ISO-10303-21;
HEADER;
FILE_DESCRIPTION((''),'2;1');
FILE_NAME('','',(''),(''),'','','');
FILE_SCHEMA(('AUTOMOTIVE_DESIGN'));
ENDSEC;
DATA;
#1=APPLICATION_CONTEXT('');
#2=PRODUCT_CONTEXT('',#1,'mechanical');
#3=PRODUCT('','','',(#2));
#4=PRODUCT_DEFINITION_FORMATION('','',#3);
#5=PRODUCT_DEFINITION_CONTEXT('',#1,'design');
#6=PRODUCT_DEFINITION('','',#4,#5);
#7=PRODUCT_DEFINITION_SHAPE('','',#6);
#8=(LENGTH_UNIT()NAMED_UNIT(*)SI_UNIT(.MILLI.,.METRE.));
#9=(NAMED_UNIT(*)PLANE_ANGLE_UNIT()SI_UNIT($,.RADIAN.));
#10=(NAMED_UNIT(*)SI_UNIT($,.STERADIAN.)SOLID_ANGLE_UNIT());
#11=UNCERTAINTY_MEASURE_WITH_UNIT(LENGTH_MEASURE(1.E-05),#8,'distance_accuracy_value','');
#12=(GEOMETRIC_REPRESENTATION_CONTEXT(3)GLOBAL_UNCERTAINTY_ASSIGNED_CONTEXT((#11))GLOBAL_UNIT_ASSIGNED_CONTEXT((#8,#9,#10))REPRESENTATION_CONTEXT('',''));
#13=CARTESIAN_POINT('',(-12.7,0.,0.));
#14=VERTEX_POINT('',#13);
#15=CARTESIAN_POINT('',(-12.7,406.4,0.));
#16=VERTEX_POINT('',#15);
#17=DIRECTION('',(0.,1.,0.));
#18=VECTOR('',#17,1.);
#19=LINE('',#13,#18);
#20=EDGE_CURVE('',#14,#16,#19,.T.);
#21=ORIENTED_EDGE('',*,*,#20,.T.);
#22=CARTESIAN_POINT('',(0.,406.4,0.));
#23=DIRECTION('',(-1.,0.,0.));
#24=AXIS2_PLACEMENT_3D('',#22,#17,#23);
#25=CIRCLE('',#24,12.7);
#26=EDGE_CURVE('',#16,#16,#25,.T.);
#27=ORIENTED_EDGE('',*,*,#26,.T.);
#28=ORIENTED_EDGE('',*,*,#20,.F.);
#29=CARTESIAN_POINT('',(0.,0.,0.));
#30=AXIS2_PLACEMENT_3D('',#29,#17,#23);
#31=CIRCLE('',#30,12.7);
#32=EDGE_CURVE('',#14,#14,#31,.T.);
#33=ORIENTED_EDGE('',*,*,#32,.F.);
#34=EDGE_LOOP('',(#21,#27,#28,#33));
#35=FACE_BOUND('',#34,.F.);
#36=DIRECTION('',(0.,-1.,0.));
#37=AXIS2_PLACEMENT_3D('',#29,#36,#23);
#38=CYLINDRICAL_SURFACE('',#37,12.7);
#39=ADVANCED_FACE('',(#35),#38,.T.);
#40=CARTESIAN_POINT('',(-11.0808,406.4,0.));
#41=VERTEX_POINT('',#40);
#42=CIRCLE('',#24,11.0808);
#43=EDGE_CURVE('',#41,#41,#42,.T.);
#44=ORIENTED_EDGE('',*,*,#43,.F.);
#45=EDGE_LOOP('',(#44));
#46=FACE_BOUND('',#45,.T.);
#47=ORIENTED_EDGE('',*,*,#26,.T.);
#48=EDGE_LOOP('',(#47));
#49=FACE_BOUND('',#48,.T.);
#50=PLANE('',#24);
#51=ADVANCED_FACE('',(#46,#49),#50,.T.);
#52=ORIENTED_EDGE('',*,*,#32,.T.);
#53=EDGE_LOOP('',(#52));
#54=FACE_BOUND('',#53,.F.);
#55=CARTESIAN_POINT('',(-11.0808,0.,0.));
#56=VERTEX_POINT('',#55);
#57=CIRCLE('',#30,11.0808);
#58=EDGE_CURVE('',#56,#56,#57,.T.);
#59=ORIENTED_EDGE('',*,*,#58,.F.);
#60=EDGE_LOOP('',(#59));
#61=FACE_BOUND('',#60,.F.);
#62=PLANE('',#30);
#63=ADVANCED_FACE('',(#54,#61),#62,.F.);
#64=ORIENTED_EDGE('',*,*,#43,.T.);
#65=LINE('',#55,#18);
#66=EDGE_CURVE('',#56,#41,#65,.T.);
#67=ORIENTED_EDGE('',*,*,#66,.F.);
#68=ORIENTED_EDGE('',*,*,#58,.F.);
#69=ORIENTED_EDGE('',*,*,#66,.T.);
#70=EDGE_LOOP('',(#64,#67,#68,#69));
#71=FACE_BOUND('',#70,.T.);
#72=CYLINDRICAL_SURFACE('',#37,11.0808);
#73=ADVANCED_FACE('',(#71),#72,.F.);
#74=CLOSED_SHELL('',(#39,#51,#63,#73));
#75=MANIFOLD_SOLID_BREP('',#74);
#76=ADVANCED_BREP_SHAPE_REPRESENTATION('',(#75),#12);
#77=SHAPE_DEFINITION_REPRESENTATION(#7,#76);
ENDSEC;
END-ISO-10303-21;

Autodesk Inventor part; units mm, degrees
ref_plane "YZ Plane" through (0, 0, 0) normal (1, 0, 0) x (0, 1, 0)
ref_plane "XZ Plane" through (0, 0, 0) normal (0, 1, 0) x (-1, 0, 0)
ref_plane "XY Plane" through (0, 0, 0) normal (0, 0, 1) x (1, 0, 0)
sketch "Sketch1" plane through (0, 0, 0) normal (0, 1, 0) x (-1, 0, 0)
  circle A0 centre (0, 0) radius 12.7
  circle A1 centre (0, 0) radius 11.0808
  dimension "d0" = 25.4
  dimension "d1" = 22.1615
extrude "Extrusion1" add sketch "Sketch1" along normal blind 406.4
properties part number "tube" material "Aluminum 6061"
